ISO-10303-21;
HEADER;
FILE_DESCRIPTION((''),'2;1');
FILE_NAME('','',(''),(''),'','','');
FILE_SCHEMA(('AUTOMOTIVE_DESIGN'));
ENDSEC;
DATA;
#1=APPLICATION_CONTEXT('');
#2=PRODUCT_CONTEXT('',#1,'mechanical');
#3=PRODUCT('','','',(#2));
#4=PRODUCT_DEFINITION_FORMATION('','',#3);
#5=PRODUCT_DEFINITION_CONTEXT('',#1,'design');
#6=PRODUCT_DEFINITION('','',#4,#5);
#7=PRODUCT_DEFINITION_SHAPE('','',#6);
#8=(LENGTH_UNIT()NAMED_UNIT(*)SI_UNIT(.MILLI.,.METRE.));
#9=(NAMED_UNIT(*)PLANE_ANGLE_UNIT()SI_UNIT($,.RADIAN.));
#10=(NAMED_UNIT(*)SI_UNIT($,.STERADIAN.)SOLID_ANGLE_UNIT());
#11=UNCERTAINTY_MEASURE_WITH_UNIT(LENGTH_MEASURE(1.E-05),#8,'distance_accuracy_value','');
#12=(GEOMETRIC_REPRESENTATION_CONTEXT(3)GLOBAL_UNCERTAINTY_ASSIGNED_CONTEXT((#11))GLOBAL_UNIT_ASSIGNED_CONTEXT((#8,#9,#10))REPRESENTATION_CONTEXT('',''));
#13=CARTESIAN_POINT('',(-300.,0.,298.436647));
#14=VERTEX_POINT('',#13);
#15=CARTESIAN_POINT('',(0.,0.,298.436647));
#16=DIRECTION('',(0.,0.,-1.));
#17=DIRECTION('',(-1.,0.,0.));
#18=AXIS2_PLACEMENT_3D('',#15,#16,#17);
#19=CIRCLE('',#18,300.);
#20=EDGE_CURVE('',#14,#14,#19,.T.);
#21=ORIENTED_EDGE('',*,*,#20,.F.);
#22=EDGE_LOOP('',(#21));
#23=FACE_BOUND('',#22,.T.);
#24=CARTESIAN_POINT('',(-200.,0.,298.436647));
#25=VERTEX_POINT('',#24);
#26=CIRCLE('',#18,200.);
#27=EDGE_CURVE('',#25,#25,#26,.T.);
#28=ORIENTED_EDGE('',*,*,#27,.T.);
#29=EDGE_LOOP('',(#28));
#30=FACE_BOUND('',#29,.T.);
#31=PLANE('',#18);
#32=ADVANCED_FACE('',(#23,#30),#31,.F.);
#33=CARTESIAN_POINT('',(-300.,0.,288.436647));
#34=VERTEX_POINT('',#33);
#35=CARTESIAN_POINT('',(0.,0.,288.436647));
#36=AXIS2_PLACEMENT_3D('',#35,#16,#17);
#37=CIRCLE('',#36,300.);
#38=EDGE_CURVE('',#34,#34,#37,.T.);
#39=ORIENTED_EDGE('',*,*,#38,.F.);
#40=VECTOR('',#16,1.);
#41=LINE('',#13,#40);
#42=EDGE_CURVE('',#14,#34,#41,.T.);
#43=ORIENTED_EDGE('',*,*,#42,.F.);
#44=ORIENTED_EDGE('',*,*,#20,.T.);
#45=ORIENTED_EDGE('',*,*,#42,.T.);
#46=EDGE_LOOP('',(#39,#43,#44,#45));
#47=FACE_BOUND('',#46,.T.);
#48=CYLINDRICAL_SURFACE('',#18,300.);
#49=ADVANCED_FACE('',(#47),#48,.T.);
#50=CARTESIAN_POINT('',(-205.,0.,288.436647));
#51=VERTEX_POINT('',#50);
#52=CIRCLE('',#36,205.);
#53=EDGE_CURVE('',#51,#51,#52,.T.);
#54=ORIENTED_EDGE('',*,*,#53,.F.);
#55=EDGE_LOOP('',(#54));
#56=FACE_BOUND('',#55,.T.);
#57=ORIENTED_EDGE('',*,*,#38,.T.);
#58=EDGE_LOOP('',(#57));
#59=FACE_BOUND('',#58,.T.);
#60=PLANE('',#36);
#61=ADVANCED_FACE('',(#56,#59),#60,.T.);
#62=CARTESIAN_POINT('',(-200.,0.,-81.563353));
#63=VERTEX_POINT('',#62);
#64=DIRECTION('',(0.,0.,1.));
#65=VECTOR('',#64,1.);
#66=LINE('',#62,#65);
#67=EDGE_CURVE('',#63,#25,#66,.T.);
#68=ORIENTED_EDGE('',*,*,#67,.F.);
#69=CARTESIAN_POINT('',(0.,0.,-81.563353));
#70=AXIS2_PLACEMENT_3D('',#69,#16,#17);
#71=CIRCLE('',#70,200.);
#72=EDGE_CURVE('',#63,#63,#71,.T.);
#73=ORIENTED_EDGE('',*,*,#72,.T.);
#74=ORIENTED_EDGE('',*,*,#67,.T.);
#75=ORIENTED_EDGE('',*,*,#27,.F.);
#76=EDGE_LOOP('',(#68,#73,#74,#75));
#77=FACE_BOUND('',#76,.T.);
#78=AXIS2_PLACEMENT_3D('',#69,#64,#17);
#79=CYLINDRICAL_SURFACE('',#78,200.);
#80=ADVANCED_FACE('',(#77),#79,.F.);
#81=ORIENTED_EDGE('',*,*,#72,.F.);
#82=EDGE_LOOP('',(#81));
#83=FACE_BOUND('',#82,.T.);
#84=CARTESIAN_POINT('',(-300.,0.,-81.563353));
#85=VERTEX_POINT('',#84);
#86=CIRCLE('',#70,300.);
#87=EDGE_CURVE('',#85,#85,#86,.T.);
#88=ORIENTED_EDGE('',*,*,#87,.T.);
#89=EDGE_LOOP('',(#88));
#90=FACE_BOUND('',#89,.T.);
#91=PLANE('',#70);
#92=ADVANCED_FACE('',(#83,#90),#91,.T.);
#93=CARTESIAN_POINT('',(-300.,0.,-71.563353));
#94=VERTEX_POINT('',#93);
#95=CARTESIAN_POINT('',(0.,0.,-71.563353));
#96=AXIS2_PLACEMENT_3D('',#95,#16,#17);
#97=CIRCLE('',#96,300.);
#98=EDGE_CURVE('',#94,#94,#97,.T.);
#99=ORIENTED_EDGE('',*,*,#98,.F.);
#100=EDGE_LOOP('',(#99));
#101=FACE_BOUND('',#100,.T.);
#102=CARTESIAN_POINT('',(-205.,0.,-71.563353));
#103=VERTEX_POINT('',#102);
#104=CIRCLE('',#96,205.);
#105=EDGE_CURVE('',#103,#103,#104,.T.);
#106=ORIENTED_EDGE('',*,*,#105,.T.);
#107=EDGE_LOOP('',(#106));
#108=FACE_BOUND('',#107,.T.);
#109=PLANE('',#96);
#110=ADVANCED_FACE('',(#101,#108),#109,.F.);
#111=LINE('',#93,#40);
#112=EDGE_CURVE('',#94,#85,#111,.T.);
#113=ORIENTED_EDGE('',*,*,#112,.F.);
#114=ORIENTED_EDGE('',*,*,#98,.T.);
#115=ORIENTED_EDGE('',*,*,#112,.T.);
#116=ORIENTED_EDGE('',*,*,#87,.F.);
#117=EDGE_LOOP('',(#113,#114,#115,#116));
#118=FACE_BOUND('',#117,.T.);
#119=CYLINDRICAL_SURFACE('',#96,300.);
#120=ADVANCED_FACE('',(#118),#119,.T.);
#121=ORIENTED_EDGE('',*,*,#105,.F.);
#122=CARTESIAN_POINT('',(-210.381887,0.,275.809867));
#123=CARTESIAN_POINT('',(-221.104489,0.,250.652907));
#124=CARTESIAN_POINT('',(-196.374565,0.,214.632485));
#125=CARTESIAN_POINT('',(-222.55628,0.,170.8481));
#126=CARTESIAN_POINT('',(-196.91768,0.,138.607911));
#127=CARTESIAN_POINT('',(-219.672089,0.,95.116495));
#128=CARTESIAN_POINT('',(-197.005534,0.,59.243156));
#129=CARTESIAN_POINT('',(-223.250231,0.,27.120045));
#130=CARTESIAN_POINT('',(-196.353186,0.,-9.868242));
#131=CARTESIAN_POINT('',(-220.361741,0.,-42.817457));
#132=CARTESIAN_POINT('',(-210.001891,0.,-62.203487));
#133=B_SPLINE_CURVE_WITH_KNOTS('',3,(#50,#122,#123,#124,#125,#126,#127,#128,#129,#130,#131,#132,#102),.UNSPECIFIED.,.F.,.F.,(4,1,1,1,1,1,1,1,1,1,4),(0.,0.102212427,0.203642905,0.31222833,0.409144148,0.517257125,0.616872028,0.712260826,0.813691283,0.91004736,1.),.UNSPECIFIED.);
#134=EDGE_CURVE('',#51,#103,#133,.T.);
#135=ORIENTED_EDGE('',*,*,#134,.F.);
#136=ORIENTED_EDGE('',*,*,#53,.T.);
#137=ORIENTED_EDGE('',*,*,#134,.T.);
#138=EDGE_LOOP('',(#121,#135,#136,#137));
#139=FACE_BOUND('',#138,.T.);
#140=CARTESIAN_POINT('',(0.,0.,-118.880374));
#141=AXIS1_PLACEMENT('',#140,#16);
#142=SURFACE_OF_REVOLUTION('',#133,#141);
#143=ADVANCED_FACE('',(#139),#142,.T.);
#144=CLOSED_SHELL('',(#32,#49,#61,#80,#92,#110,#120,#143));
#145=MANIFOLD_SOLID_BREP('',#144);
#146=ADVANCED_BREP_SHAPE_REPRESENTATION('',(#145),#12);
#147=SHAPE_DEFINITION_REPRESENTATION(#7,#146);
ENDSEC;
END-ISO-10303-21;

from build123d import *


with BuildPart() as f1:
    # F0 (on Front) → F1 (revolve)
    with BuildSketch(Plane.XZ):
        with BuildLine():
            Line((-300, -81.5633533741), (-200, -81.5633533741))
            Line((-200, -81.5633533741), (-200, 298.4366466259))
            Line((-200, 298.4366466259), (-300, 298.4366466259))
            Line((-300, 298.4366466259), (-300, 288.4366466259))
            Line((-300, 288.4366466259), (-205, 288.4366466259))
            add(Edge.make_bspline(
                [(-205, 288.4366466259), (-210.3818871874, 275.8098672753), (-221.1044888185, 250.6529065017), (-196.3745648791, 214.6324849513), (-222.5562802048, 170.8480999288), (-196.9176800335, 138.6079105968), (-219.6720890436, 95.116494721), (-197.0055342445, 59.2431559941), (-223.2502306168, 27.1200445813), (-196.3531859705, -9.868242196), (-220.3617412335, -42.8174571629), (-210.0018909648, -62.2034874353), (-205, -71.5633533741)],
                knots=[0, 0, 0, 0, 0.1022124274, 0.2036429049, 0.3122283303, 0.4091441482, 0.5172571253, 0.6168720277, 0.7122608262, 0.8136912833, 0.9100473595, 1, 1, 1, 1], degree=3))
            Line((-205, -71.5633533741), (-300, -71.5633533741))
            Line((-300, -71.5633533741), (-300, -81.5633533741))
        make_face()
    revolve(axis=Axis((0, 0, -118.8803736179), (0, 0, -1)))


solid = f1.part
